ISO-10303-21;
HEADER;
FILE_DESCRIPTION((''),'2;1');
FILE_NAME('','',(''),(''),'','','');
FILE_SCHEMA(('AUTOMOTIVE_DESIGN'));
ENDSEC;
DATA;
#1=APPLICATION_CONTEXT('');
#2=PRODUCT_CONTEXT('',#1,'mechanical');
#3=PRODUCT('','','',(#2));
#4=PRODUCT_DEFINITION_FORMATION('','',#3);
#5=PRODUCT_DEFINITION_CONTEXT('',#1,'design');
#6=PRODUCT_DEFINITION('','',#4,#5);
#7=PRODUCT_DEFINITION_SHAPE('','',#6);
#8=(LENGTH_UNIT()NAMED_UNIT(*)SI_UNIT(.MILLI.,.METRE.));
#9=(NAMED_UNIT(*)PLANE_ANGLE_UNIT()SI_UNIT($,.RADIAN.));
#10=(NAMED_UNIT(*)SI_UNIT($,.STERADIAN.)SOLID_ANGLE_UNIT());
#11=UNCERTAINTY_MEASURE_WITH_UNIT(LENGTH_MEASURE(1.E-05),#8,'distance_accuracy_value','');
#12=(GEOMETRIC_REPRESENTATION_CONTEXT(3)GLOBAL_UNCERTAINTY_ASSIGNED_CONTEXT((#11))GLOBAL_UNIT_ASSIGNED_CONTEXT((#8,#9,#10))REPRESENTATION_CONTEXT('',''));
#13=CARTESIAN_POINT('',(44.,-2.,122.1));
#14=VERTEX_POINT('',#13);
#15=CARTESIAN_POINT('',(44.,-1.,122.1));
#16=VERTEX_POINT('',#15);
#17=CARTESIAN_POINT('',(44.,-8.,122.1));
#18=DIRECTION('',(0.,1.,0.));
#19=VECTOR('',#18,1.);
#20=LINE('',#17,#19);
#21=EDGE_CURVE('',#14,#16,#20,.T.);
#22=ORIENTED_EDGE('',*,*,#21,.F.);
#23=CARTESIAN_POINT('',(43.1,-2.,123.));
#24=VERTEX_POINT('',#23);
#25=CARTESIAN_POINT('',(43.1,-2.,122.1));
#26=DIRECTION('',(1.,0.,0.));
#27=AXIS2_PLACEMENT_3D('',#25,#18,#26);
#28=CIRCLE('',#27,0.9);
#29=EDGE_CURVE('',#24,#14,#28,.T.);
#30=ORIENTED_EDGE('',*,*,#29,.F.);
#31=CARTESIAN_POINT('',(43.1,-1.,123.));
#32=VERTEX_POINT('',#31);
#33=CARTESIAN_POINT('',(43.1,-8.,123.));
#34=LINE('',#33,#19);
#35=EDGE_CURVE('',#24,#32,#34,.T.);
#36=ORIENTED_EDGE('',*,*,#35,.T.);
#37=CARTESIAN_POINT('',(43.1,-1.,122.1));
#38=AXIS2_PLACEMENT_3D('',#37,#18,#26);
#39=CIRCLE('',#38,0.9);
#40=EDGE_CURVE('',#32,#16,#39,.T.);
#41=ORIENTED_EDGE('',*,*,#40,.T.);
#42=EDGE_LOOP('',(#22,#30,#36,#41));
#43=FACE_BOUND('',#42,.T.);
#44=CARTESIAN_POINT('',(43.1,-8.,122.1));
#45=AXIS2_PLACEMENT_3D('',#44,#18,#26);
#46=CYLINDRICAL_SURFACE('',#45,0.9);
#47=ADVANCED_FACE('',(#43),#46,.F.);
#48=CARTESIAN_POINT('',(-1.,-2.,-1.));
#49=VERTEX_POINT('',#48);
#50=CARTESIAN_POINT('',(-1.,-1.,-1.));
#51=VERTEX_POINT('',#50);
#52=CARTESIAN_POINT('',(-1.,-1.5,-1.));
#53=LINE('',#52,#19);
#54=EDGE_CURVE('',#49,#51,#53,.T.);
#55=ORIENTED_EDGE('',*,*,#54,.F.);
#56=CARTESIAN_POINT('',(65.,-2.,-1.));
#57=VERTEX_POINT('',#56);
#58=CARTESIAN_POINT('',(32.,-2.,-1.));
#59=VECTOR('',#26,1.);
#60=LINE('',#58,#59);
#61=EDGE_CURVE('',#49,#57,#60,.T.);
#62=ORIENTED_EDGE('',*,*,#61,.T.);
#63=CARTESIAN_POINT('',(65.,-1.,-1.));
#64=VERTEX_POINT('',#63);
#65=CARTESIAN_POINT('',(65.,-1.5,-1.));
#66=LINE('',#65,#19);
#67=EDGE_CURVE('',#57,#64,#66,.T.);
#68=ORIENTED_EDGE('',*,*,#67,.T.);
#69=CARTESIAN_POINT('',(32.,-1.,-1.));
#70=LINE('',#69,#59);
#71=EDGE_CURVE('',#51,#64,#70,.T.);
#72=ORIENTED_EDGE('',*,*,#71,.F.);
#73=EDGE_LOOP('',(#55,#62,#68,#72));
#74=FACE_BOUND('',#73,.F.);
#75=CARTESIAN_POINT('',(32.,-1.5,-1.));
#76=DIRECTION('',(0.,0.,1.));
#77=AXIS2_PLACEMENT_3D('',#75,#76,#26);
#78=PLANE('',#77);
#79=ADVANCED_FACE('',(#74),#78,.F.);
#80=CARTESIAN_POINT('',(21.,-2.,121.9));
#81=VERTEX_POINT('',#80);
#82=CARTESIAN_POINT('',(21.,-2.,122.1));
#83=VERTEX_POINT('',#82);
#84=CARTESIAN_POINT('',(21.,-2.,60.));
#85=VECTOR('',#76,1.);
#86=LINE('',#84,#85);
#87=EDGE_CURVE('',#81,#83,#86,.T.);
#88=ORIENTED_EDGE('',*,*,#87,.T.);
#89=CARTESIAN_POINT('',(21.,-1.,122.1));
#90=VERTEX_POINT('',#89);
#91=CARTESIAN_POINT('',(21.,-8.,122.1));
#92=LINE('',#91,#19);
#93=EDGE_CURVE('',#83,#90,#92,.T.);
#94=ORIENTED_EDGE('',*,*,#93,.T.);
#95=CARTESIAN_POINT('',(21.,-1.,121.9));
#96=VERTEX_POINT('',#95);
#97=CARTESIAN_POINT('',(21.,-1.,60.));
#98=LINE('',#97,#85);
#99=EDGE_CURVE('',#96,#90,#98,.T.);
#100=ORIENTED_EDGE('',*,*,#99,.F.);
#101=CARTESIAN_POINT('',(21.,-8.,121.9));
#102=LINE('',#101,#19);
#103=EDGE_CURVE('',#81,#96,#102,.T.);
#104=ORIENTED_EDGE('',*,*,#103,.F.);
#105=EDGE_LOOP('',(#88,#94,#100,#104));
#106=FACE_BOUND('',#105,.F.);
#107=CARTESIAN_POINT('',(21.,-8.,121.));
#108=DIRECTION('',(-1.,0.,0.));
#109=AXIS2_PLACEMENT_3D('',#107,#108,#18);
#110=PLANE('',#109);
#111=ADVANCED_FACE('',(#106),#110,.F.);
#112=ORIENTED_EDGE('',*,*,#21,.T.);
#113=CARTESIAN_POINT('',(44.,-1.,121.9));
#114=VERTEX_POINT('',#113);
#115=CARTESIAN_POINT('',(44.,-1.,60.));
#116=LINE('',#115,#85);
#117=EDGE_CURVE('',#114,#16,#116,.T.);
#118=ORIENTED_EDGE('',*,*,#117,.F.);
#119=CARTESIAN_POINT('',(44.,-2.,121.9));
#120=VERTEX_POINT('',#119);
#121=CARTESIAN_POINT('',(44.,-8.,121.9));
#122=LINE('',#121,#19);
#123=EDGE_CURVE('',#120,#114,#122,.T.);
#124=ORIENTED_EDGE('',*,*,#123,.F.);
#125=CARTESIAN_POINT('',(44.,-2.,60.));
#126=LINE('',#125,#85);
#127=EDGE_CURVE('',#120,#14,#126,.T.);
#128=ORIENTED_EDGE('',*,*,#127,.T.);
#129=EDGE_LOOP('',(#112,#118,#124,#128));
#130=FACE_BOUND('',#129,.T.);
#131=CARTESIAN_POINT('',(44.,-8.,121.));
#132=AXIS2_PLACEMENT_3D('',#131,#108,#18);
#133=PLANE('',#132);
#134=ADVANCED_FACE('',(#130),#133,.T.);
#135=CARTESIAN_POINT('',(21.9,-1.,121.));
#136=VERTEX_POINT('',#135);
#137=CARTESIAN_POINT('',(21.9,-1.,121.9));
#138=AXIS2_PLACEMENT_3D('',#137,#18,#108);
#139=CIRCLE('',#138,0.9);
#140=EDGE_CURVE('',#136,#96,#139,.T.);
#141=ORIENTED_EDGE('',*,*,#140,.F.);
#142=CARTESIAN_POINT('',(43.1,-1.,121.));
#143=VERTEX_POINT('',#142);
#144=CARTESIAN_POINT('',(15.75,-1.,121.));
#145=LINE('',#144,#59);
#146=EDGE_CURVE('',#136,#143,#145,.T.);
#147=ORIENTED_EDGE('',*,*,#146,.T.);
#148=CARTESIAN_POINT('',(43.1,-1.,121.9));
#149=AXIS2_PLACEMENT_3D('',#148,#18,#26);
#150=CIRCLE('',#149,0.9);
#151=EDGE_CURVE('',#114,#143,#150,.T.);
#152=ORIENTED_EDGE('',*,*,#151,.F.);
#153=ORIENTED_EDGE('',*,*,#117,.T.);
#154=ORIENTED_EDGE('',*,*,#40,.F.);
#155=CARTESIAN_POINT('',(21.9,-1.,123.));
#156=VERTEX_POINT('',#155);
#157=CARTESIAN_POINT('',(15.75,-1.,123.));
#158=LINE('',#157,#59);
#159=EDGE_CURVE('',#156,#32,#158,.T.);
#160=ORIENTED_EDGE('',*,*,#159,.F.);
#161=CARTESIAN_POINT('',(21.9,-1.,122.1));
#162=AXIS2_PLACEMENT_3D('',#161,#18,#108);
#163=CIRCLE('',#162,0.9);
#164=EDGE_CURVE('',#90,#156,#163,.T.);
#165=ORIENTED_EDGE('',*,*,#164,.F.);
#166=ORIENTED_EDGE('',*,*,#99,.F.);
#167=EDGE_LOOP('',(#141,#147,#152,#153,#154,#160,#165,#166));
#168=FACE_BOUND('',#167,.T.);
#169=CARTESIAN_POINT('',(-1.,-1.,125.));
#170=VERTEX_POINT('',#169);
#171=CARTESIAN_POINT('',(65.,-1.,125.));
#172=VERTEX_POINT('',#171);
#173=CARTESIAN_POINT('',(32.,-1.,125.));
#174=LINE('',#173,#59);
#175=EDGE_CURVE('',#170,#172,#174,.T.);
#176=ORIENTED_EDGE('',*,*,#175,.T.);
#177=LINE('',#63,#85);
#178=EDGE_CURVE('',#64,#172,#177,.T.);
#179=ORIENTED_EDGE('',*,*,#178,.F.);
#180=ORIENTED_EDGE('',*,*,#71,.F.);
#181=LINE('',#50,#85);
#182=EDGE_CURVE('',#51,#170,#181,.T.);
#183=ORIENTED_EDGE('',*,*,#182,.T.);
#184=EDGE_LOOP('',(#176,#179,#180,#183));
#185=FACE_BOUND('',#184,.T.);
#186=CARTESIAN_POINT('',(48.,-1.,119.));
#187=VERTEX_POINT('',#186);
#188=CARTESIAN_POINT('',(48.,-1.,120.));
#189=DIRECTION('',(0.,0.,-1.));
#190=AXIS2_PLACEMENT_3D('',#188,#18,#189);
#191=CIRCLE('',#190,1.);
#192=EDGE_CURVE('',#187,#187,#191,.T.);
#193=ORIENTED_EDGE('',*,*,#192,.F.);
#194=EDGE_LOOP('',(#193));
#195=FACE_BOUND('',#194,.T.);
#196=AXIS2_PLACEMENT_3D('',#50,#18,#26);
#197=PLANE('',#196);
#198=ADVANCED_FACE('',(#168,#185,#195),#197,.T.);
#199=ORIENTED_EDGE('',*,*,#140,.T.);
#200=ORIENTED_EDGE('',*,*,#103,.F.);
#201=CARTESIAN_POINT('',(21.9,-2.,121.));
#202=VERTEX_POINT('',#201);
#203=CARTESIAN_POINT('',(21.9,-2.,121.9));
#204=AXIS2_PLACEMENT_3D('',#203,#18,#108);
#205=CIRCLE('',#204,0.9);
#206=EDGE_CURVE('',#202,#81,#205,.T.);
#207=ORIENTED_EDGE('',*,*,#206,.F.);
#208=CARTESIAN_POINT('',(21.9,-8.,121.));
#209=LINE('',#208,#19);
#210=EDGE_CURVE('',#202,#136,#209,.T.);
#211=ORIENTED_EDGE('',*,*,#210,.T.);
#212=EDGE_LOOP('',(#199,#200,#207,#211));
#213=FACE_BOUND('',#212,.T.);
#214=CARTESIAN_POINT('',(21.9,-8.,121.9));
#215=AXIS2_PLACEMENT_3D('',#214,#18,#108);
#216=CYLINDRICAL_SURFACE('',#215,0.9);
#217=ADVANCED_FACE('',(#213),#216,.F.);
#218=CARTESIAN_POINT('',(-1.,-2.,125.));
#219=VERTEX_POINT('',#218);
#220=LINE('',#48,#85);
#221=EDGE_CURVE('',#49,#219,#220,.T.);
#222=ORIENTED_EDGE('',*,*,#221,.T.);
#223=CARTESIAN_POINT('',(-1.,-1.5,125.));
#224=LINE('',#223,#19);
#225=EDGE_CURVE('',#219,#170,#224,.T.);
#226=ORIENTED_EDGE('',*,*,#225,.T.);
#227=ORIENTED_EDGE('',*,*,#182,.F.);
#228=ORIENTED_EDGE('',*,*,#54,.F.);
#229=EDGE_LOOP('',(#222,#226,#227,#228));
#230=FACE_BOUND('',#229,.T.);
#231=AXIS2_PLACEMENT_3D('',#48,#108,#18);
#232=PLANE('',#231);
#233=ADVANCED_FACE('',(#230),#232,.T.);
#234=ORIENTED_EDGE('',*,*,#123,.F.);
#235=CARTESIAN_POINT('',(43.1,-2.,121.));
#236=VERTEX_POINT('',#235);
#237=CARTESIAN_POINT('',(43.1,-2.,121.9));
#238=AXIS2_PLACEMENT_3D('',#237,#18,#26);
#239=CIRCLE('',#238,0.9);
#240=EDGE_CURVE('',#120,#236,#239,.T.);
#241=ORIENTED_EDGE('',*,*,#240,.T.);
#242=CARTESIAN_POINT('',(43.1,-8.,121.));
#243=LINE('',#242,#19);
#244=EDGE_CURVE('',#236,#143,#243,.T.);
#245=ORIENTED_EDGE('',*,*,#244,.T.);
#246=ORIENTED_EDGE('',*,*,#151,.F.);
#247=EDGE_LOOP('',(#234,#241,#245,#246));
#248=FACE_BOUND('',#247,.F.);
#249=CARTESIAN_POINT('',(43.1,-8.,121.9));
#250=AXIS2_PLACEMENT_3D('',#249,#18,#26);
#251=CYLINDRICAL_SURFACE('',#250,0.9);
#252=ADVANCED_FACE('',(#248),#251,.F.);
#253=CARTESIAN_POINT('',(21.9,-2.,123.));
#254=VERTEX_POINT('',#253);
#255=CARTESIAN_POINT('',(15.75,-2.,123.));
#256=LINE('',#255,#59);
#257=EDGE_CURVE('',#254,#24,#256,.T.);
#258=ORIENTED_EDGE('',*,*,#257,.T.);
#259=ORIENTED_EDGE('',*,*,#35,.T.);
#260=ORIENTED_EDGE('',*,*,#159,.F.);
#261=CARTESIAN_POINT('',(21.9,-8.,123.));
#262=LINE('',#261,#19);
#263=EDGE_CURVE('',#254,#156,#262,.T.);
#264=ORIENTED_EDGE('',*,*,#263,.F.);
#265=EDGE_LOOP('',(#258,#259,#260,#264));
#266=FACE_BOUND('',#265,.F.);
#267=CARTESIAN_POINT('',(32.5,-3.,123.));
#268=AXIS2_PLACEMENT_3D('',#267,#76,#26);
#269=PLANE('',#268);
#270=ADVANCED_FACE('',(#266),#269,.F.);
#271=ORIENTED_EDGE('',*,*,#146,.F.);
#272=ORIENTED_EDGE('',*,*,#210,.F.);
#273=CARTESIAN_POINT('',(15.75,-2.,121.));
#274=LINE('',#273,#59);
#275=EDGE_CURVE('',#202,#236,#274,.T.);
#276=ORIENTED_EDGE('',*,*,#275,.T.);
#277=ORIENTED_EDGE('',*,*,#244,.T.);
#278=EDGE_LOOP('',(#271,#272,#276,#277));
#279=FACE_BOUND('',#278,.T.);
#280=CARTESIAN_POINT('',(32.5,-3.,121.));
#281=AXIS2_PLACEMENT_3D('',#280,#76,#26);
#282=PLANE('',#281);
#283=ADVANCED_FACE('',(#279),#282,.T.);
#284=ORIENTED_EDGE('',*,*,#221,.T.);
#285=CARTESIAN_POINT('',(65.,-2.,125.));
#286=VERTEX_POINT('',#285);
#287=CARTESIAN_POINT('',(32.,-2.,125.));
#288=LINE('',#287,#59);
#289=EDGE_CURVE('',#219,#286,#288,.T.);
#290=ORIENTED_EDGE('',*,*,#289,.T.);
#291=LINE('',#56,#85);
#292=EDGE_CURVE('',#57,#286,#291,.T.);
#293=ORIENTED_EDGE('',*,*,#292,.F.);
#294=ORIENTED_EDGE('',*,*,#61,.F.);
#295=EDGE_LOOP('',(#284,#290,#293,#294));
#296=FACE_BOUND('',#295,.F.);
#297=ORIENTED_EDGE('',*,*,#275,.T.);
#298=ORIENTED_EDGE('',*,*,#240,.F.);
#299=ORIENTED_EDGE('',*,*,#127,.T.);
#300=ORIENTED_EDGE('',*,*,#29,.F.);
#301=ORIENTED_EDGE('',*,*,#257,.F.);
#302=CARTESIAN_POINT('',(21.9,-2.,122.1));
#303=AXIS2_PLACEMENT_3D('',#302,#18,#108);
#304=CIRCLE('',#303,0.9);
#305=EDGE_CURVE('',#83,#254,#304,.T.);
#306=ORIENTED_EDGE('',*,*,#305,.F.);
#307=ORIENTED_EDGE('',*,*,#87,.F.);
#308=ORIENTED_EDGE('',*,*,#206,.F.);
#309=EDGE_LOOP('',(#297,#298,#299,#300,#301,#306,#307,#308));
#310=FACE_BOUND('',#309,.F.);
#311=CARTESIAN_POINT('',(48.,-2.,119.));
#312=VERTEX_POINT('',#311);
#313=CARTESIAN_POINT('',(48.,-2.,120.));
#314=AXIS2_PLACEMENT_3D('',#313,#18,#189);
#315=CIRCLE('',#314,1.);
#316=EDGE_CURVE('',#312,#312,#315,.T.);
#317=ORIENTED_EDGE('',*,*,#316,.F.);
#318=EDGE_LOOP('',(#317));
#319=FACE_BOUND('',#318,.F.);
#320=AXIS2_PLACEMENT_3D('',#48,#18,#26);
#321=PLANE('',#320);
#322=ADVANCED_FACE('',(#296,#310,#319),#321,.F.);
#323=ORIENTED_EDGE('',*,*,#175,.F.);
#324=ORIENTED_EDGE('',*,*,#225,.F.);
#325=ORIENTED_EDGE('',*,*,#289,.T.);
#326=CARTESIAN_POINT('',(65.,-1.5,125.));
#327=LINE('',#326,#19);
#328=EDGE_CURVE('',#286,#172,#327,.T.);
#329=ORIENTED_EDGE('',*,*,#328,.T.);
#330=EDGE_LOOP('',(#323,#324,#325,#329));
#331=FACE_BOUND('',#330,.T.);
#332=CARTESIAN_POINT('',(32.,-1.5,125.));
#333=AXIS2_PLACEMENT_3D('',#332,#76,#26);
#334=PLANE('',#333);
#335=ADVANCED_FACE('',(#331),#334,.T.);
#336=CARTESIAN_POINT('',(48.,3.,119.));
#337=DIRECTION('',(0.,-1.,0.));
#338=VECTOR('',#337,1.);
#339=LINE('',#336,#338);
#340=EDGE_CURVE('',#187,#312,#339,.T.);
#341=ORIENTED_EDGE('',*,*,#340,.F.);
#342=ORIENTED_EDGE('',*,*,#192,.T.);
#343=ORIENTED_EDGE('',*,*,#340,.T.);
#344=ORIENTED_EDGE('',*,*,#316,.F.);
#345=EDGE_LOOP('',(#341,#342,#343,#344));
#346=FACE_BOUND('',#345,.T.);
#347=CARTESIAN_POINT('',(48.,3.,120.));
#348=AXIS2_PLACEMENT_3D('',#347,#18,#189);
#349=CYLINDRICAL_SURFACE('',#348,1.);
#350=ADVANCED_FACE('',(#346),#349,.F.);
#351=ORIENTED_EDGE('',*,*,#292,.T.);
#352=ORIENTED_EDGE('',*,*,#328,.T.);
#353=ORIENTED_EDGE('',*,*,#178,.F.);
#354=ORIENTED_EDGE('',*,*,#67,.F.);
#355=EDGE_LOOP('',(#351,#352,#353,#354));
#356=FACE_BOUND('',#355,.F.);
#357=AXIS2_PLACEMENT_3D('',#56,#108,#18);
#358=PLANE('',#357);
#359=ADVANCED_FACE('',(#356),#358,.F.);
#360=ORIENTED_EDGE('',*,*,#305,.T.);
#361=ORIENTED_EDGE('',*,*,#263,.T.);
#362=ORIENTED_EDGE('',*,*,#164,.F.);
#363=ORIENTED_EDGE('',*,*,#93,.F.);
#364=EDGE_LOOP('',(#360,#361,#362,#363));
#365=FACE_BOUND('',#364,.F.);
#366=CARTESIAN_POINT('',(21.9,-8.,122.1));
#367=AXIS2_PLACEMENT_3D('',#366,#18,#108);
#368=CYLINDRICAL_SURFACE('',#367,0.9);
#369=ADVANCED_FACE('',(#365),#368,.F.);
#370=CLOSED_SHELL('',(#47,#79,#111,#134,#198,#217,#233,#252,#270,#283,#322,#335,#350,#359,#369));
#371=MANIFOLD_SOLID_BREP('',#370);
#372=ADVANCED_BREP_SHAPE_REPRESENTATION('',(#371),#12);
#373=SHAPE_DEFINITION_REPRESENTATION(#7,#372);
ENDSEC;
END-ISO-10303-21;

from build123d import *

# Parameters (mm, degrees)
CYLINDER001_R     = 1
CYLINDER001_DEPTH = 10
BOX002_W          = 23
BOX002_H          = 10
BOX002_DEPTH      = 2
FILLET_R          = 0.9
CYLINDER_R        = 1
CYLINDER_DEPTH    = 2
BOX005_W          = 66
BOX005_H          = 1
BOX005_DEPTH      = 126


with BuildPart() as cilindro001:
    # Cylinder001 → Cylinder001 (new body)
    with BuildSketch(Plane(origin=(48, 3, 120), x_dir=(0, 0, -1), z_dir=(0, -1, 0))):
        Circle(CYLINDER001_R)
    extrude(amount=CYLINDER001_DEPTH)


with BuildPart() as fillet_body:
    # Box002 → Box002 (new body)
    with BuildSketch(Plane(origin=(21, -2, 121), x_dir=(1, 0, 0), z_dir=(0, 0, 1))):
        with Locations((11.5, 5)):
            Rectangle(BOX002_W, BOX002_H)
    extrude(amount=BOX002_DEPTH)

    # Fillet
    fillet_edges = [fillet_body.edges().sort_by_distance(p)[0] for p in [
        (21, 3, 123),
        (21, 3, 121),
        (44, 3, 123),
        (44, 3, 121),
    ]]
    fillet(fillet_edges, radius=FILLET_R)


with BuildPart() as fillet_body_1:
    # Fillet placement: moved
    add(fillet_body.part.moved(Location((0, -6, 0))))


with BuildPart() as cilindro:
    # Cylinder → Cylinder (new body)
    with BuildSketch(Plane(origin=(32, 2, 118), x_dir=(0, 0, -1), z_dir=(0, -1, 0))):
        Circle(CYLINDER_R)
    extrude(amount=CYLINDER_DEPTH)


with BuildPart() as screen_protector:
    # Box005 → Box005 (new body)
    with BuildSketch(Plane(origin=(-1, -2, -1), x_dir=(1, 0, 0), z_dir=(0, 0, 1))):
        with Locations((33, 0.5)):
            Rectangle(BOX005_W, BOX005_H)
    extrude(amount=BOX005_DEPTH)

    # Cut004: cut Cilindro
    add(cilindro.part, mode=Mode.SUBTRACT)

    # Cut005: cut Fillet body
    add(fillet_body_1.part, mode=Mode.SUBTRACT)

    # Cut016: cut Cilindro001
    add(cilindro001.part, mode=Mode.SUBTRACT)


solid = screen_protector.part
